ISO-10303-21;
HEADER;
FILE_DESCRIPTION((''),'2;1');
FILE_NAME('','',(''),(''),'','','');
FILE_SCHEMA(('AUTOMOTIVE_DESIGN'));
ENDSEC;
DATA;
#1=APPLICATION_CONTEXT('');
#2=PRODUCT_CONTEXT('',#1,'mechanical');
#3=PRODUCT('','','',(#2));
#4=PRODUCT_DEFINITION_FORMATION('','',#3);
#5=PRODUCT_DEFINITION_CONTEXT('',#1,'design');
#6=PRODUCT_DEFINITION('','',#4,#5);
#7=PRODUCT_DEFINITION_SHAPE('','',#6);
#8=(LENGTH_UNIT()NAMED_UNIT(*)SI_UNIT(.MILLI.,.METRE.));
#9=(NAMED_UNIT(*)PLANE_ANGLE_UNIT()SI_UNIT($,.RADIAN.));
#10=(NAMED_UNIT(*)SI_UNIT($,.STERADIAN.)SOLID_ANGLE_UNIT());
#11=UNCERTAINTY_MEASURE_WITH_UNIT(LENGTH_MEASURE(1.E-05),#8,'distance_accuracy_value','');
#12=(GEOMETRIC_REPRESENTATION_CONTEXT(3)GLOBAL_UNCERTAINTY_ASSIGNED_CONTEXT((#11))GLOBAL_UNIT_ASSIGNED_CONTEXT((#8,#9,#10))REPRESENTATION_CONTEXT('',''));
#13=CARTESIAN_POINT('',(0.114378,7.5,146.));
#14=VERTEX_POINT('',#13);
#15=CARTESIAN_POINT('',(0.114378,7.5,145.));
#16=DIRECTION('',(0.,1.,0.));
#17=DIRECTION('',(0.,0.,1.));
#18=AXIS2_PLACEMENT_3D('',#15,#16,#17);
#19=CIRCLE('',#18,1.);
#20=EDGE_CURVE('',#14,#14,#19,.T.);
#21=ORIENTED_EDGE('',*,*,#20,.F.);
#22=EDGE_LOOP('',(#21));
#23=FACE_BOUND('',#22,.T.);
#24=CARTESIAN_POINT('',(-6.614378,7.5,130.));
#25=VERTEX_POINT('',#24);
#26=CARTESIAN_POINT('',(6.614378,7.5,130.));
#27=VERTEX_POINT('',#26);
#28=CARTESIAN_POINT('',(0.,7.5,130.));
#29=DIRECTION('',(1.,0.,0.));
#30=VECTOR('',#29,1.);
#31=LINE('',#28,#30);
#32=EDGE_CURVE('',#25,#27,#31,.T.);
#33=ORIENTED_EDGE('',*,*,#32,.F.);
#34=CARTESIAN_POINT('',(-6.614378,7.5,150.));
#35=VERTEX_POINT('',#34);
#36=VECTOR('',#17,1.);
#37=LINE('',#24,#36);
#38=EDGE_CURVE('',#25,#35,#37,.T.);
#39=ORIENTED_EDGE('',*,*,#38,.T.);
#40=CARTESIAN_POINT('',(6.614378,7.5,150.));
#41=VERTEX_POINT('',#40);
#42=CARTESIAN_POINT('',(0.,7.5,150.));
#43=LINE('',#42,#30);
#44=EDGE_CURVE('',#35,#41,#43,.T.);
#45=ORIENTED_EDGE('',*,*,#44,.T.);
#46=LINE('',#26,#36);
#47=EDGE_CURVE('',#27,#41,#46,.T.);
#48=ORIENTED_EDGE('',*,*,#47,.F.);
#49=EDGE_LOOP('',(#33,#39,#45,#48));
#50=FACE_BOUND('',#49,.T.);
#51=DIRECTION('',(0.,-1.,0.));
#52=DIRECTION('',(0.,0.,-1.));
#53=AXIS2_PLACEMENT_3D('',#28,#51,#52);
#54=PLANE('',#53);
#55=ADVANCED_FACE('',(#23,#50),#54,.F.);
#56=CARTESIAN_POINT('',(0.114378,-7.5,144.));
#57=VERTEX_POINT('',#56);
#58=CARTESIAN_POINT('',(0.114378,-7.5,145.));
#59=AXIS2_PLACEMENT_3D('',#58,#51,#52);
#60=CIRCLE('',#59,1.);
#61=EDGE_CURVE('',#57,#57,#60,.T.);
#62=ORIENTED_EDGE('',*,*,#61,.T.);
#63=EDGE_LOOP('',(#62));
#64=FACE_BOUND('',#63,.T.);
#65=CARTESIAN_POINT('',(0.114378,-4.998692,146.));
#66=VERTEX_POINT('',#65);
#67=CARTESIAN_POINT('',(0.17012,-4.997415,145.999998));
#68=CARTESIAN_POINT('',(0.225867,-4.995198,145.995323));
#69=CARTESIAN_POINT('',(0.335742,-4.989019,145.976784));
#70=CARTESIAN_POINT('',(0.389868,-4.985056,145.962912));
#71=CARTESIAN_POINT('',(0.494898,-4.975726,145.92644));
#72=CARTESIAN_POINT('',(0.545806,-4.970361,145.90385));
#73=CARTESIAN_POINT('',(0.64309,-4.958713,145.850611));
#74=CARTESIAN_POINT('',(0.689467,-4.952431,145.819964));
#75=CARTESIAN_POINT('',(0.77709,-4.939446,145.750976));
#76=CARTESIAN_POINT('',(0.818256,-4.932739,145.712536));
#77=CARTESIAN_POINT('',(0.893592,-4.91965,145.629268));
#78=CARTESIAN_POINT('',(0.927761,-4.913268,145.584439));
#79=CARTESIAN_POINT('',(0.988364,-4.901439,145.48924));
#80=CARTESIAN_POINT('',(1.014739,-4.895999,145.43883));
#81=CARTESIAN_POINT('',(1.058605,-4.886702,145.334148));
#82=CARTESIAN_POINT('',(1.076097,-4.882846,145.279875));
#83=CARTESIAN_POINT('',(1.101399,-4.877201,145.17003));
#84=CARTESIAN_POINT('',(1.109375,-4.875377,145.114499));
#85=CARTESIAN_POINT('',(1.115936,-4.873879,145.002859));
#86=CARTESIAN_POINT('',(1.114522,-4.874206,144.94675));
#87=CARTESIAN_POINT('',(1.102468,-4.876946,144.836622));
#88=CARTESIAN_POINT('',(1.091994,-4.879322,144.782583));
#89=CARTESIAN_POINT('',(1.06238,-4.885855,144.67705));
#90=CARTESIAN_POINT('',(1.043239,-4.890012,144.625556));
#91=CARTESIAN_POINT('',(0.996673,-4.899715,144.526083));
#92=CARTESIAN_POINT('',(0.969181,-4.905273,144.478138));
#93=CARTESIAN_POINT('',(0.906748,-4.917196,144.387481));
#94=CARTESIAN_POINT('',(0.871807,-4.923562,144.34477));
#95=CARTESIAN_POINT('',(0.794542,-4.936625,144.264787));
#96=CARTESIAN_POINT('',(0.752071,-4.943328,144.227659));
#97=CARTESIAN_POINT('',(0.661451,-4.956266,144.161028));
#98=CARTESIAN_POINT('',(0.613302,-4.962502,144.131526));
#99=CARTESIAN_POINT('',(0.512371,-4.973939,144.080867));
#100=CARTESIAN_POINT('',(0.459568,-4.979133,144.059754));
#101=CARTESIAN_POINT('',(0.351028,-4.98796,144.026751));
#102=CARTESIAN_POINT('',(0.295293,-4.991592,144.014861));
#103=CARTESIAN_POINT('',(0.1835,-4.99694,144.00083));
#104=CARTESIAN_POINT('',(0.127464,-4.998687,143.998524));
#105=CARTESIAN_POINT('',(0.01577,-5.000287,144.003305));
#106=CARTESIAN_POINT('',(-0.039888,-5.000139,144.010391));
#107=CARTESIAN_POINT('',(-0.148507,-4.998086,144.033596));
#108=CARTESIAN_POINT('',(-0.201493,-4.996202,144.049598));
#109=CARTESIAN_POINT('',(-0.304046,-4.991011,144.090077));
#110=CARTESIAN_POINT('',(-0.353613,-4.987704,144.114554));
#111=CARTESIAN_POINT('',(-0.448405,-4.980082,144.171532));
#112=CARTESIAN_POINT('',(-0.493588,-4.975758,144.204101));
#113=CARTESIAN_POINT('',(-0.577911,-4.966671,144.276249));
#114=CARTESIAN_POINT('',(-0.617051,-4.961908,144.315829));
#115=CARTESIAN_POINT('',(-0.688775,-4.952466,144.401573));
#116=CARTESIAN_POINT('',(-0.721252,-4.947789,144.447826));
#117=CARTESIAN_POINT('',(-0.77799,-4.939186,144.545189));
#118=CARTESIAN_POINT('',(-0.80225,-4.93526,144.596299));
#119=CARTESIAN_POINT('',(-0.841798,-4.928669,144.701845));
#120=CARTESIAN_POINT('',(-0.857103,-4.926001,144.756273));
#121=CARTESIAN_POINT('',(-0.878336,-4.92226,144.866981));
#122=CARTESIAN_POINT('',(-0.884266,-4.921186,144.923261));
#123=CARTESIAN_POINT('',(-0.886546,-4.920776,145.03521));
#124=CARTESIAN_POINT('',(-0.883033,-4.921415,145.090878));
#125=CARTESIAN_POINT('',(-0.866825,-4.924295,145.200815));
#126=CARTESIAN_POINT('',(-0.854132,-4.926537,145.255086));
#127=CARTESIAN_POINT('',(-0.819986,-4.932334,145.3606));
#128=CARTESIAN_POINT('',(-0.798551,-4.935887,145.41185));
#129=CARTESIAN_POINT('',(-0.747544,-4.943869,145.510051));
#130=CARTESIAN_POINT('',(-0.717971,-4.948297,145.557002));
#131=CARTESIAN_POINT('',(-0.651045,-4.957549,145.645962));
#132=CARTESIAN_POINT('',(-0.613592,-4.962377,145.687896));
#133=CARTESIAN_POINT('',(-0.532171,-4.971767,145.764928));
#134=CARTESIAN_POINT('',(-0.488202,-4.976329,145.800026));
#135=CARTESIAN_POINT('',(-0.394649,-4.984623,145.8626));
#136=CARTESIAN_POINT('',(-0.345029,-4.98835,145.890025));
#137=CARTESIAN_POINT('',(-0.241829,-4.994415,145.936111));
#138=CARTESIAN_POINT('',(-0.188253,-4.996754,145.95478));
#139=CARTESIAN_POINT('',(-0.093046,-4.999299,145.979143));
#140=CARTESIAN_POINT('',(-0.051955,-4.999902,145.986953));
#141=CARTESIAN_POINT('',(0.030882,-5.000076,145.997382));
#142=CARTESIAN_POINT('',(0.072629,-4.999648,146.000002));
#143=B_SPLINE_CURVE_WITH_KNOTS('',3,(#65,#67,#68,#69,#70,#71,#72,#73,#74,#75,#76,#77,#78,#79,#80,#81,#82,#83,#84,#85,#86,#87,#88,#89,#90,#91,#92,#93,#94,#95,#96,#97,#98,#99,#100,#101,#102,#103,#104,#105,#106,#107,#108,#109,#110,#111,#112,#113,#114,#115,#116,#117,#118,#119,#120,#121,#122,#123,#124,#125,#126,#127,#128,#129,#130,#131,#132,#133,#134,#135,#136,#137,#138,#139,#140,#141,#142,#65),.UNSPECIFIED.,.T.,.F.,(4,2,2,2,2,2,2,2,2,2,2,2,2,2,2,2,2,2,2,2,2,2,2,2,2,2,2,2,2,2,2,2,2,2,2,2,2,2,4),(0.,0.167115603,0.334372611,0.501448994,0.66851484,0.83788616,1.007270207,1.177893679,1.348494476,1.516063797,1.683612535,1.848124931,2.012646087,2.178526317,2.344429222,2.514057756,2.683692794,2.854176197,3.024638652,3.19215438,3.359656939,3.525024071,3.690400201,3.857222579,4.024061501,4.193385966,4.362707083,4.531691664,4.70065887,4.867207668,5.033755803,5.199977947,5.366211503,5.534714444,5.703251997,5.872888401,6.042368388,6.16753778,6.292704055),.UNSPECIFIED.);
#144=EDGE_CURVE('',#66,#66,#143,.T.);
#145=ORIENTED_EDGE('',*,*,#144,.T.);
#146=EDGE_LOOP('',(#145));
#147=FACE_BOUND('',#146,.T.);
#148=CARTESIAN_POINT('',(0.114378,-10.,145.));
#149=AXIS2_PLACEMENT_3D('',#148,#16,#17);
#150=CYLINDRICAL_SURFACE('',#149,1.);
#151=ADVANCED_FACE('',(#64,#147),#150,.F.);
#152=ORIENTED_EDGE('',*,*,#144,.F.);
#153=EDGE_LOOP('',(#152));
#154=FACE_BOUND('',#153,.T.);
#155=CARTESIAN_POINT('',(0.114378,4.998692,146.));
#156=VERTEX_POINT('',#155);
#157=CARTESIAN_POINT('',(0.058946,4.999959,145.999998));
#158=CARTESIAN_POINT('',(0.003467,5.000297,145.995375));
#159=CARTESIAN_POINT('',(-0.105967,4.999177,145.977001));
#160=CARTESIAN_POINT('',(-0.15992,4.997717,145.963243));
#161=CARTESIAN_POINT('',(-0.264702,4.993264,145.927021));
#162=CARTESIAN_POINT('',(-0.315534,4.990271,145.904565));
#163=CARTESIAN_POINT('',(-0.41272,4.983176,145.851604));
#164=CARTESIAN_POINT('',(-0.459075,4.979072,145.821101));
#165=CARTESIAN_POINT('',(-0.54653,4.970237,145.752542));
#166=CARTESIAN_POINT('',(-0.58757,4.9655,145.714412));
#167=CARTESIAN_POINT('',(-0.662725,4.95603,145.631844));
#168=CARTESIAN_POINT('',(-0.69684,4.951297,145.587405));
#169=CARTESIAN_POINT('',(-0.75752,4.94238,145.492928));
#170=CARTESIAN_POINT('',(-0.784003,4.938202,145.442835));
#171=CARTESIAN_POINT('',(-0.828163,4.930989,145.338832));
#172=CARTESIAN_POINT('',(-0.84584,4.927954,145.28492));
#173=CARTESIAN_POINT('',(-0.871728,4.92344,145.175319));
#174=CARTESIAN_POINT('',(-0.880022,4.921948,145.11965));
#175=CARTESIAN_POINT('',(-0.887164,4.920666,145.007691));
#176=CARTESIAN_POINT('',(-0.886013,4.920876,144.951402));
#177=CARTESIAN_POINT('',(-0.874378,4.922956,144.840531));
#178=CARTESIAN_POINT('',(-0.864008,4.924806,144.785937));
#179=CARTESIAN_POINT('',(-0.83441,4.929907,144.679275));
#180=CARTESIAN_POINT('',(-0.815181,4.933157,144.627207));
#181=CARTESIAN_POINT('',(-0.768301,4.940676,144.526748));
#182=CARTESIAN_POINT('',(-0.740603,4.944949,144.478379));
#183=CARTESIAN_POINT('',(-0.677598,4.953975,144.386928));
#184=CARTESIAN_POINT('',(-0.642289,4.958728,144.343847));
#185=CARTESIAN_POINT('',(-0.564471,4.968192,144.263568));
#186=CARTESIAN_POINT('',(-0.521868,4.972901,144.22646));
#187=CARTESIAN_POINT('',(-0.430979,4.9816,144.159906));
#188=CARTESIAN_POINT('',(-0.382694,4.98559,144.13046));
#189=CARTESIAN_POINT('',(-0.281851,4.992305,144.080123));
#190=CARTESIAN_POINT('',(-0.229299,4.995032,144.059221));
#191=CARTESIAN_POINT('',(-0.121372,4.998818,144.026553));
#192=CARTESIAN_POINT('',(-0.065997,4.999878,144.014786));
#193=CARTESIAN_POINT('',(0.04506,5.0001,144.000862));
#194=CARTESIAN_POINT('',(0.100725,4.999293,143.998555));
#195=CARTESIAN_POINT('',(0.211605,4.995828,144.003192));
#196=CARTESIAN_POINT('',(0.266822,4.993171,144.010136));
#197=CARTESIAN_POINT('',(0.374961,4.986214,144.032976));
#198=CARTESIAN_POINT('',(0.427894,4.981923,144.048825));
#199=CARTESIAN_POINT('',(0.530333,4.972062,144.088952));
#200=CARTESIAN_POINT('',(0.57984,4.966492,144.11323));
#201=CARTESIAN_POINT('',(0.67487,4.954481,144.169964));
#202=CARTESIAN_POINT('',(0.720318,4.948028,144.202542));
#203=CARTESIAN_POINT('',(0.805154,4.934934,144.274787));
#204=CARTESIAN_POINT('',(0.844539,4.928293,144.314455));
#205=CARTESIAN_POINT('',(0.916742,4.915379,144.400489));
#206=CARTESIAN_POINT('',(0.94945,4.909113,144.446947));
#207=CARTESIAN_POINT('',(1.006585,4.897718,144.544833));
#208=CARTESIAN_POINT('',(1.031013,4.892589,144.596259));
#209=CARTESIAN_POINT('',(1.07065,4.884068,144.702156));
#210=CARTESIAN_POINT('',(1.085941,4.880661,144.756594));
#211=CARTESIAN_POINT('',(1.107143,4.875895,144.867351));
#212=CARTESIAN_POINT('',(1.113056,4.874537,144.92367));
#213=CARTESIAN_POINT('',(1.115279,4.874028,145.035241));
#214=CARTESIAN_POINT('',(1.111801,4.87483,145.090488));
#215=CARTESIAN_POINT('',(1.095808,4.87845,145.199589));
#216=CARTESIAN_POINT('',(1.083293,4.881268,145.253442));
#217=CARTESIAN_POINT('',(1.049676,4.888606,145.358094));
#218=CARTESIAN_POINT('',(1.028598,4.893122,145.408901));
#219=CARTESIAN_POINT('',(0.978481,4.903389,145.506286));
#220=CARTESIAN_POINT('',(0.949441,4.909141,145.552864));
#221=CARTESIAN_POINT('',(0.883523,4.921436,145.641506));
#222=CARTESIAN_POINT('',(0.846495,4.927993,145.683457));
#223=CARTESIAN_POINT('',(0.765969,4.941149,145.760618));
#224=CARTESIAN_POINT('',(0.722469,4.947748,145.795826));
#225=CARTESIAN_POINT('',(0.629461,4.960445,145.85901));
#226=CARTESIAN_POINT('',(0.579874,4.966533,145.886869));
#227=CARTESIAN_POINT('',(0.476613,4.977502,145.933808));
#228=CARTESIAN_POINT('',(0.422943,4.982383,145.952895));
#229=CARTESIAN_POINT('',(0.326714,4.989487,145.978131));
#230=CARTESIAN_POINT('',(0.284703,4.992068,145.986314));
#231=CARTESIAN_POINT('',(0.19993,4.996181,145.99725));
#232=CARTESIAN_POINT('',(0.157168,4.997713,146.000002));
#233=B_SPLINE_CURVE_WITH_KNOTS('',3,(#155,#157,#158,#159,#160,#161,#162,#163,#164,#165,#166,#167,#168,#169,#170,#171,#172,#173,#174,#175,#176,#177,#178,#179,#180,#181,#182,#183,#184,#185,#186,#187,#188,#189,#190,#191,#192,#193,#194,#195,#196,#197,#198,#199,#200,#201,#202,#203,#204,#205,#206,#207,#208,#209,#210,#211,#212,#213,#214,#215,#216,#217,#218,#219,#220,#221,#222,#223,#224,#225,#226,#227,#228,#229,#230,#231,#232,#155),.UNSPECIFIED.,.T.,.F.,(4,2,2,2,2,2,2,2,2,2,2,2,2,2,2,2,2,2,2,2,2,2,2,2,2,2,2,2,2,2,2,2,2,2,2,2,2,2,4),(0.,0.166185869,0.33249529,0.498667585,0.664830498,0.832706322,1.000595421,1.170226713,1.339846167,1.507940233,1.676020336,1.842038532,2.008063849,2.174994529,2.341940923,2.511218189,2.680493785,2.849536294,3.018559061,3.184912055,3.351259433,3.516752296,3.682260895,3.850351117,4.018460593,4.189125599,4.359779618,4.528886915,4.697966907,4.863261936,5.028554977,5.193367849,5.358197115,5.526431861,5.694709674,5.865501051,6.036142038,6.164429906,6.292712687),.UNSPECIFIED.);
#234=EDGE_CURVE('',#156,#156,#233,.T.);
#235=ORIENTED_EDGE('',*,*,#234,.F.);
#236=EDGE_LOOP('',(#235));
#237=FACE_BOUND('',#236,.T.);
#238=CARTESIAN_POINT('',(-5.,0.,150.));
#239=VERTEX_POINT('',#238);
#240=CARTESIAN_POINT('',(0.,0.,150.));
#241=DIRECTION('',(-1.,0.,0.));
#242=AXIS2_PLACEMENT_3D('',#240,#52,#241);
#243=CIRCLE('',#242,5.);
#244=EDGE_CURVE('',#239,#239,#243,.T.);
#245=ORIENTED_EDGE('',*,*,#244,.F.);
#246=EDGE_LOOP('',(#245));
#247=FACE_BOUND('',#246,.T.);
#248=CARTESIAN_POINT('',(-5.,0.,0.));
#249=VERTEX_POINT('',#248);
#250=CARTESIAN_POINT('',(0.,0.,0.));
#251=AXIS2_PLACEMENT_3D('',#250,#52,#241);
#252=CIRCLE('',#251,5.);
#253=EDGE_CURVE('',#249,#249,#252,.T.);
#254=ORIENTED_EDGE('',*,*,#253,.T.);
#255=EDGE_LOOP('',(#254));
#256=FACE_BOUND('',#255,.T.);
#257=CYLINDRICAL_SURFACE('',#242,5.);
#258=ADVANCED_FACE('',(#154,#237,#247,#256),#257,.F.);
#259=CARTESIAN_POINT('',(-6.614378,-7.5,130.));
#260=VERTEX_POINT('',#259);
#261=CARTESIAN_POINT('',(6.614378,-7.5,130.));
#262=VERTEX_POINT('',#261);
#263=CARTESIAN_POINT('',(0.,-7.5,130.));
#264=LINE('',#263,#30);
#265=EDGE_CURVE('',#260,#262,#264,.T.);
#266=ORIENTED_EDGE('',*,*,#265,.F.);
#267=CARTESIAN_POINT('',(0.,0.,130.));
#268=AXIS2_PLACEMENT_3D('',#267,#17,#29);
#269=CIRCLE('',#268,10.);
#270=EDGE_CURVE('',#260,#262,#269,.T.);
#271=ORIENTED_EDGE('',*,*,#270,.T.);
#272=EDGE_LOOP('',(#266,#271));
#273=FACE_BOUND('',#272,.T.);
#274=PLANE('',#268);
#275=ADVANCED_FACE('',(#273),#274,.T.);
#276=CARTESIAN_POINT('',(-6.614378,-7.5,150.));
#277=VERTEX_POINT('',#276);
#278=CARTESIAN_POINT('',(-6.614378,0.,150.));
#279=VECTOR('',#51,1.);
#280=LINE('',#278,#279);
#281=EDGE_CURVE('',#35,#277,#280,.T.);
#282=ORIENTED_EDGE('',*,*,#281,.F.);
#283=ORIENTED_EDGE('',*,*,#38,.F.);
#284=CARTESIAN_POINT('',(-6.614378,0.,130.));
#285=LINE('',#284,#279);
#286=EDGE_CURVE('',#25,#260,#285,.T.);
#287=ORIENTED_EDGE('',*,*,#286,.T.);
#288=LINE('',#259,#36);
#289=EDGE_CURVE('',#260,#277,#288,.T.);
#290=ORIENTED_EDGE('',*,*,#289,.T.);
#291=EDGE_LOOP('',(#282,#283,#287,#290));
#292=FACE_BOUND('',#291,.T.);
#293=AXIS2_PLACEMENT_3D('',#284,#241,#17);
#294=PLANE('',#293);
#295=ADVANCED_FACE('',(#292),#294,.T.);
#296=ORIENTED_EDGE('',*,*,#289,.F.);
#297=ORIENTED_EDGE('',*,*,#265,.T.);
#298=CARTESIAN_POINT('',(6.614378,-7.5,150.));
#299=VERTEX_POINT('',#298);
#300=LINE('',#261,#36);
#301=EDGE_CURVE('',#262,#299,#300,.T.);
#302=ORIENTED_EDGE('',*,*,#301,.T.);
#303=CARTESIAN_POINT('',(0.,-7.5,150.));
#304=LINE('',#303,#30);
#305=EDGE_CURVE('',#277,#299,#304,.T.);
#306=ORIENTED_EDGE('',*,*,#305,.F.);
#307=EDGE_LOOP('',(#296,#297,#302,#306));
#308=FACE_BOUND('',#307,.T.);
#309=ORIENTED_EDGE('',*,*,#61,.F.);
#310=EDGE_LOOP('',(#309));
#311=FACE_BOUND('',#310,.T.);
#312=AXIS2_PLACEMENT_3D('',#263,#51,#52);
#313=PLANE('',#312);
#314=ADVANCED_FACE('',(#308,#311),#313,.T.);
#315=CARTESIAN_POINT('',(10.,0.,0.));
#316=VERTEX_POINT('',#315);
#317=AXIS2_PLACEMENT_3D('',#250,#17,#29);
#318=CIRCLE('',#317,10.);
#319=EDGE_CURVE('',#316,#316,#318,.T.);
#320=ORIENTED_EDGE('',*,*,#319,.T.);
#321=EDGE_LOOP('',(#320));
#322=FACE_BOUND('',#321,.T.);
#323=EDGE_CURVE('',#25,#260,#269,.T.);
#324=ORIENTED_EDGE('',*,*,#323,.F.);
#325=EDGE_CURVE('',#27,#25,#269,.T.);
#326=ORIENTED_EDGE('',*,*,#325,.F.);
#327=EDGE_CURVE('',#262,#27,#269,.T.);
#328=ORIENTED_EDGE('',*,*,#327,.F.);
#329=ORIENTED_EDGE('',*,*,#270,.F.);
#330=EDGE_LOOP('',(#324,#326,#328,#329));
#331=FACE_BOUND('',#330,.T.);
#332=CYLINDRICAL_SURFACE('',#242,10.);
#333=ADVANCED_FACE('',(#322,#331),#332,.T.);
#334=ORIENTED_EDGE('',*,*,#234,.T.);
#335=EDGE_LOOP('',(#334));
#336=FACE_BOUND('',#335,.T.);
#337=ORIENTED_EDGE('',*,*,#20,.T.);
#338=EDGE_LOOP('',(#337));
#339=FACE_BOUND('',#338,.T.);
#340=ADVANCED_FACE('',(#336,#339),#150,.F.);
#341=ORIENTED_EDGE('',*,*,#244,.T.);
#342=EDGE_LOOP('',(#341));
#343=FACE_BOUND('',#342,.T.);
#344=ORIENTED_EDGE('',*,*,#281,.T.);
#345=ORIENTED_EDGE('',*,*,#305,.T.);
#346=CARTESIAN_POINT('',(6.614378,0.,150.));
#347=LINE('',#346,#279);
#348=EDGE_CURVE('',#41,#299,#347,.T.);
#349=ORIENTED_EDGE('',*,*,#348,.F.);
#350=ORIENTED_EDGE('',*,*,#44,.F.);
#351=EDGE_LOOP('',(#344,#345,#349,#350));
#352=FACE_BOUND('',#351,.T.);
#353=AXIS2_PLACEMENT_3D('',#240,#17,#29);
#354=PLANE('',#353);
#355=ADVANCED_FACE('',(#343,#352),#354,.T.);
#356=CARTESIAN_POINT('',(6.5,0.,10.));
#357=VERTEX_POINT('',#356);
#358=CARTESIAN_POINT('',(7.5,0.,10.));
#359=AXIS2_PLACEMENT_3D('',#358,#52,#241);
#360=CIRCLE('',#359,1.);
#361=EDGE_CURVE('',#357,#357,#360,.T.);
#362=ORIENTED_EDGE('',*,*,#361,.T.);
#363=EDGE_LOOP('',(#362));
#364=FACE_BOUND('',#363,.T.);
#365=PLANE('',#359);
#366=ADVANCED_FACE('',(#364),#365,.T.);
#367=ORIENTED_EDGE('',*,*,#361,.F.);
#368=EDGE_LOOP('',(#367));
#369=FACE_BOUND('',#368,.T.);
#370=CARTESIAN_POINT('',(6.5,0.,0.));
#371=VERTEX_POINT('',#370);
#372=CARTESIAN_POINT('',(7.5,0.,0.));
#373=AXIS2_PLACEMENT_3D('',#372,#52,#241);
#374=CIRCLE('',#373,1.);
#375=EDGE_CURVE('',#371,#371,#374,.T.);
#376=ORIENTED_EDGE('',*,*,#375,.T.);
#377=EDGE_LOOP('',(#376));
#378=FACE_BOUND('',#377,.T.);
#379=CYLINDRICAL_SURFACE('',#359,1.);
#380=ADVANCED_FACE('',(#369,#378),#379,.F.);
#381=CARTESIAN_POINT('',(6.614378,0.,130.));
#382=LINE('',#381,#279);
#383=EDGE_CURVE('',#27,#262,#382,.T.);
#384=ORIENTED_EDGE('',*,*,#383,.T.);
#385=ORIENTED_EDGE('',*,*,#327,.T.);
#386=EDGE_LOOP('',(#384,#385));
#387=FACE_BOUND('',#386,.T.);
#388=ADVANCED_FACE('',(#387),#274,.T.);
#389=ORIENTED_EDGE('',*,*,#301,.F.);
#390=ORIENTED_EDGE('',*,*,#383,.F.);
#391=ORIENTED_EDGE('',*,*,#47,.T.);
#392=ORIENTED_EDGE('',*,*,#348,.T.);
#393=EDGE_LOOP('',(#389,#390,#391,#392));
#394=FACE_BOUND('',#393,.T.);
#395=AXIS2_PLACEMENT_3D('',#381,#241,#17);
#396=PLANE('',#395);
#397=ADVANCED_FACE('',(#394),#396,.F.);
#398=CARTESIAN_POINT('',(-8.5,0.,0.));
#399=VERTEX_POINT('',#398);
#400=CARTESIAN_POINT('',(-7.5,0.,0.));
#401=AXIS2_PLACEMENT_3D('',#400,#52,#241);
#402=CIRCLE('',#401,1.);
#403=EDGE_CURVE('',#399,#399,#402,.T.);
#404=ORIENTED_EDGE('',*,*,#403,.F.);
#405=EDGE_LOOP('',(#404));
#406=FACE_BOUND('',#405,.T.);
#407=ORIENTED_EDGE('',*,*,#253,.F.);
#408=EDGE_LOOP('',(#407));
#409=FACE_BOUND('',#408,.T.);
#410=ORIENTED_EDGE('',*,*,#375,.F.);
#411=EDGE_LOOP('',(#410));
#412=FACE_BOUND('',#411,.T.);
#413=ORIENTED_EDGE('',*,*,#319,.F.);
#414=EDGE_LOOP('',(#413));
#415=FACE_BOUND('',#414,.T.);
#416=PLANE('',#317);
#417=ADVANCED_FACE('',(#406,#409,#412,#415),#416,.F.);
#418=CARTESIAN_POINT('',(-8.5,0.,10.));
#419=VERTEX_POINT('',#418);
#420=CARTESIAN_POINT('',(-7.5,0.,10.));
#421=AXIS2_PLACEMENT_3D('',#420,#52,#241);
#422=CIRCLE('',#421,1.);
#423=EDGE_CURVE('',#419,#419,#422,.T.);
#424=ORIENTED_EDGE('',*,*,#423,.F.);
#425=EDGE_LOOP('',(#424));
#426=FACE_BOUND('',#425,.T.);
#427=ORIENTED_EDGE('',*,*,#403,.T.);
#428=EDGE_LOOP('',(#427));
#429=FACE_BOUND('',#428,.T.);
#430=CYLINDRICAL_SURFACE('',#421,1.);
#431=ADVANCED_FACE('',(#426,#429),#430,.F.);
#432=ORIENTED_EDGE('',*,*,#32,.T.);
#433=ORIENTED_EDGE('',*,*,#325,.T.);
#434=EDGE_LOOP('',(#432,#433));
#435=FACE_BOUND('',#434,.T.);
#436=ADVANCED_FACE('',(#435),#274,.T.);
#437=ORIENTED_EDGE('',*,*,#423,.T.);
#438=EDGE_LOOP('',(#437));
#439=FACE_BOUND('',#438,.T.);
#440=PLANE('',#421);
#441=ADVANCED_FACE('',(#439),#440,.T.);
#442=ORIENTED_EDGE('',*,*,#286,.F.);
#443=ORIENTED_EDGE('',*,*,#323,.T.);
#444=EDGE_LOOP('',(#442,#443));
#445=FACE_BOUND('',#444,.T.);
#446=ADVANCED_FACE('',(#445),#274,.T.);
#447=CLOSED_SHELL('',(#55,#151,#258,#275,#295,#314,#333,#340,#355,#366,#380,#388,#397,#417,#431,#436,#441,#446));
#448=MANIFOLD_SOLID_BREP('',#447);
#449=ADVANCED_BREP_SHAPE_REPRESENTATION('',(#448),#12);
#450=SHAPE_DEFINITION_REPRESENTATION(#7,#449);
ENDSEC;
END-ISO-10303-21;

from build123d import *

# Parameters (mm, degrees)
SKETCH1_R           = 10
BOSS_EXTRUDE1_DEPTH = 150
CUT_EXTRUDE1_START  = -20
CUT_EXTRUDE1_DEPTH  = 20
SKETCH3_3_R         = 1
CUT_EXTRUDE4_DEPTH  = 152.348108677
SKETCH7_R           = 1
CUT_EXTRUDE5_DEPTH  = 10
SKETCH8_R           = 5
CUT_EXTRUDE6_DEPTH  = 151.665191733


with BuildPart() as part:
    # Sketch1 → Boss-Extrude1 (new body)
    with BuildSketch(Plane.XY):
        Circle(SKETCH1_R)
    extrude(amount=BOSS_EXTRUDE1_DEPTH)

    # Sketch2 → Cut-Extrude1 (cut)
    with BuildSketch(Plane.XY.offset(150).offset(CUT_EXTRUDE1_START)):
        with BuildLine():
            ThreePointArc((6.614378278, 7.5), (0, 10), (-6.614378278, 7.5))
            Line((-6.614378278, 7.5), (6.614378278, 7.5))
        make_face()
        with BuildLine():
            Line((-6.614378278, -7.5), (-6.614378278, 7.5))
            ThreePointArc((-6.614378278, 7.5), (-10, 0), (-6.614378278, -7.5))
        make_face()
        with BuildLine():
            ThreePointArc((6.614378278, -7.5), (10, 0), (6.614378278, 7.5))
            Line((6.614378278, 7.5), (6.614378278, -7.5))
        make_face()
        with BuildLine():
            Line((6.614378278, -7.5), (-6.614378278, -7.5))
            ThreePointArc((-6.614378278, -7.5), (0, -10), (6.614378278, -7.5))
        make_face()
    extrude(amount=CUT_EXTRUDE1_DEPTH, mode=Mode.SUBTRACT)

    # Sketch3<3> → Cut-Extrude4 (cut, through all)
    with BuildSketch(Plane(origin=(0, 7.5, 0), x_dir=(1, 0, 0), z_dir=(0, 1, 0))):
        with Locations((0.114378278, -145)):
            Circle(SKETCH3_3_R)
    extrude(amount=-CUT_EXTRUDE4_DEPTH, mode=Mode.SUBTRACT)

    # Sketch7 → Cut-Extrude5 (cut)
    with BuildSketch(Plane(origin=(0, 0, 0), x_dir=(-1, 0, 0), z_dir=(0, 0, -1))):
        with Locations((7.5, 0)):
            Circle(SKETCH7_R)
        with Locations((-7.5, 0)):
            Circle(SKETCH7_R)
    extrude(amount=-CUT_EXTRUDE5_DEPTH, mode=Mode.SUBTRACT)

    # Sketch8 → Cut-Extrude6 (cut, through all)
    with BuildSketch(Plane(origin=(0, 0, 0), x_dir=(-1, 0, 0), z_dir=(0, 0, -1))):
        Circle(SKETCH8_R)
    extrude(amount=-CUT_EXTRUDE6_DEPTH, mode=Mode.SUBTRACT)


solid = part.part
